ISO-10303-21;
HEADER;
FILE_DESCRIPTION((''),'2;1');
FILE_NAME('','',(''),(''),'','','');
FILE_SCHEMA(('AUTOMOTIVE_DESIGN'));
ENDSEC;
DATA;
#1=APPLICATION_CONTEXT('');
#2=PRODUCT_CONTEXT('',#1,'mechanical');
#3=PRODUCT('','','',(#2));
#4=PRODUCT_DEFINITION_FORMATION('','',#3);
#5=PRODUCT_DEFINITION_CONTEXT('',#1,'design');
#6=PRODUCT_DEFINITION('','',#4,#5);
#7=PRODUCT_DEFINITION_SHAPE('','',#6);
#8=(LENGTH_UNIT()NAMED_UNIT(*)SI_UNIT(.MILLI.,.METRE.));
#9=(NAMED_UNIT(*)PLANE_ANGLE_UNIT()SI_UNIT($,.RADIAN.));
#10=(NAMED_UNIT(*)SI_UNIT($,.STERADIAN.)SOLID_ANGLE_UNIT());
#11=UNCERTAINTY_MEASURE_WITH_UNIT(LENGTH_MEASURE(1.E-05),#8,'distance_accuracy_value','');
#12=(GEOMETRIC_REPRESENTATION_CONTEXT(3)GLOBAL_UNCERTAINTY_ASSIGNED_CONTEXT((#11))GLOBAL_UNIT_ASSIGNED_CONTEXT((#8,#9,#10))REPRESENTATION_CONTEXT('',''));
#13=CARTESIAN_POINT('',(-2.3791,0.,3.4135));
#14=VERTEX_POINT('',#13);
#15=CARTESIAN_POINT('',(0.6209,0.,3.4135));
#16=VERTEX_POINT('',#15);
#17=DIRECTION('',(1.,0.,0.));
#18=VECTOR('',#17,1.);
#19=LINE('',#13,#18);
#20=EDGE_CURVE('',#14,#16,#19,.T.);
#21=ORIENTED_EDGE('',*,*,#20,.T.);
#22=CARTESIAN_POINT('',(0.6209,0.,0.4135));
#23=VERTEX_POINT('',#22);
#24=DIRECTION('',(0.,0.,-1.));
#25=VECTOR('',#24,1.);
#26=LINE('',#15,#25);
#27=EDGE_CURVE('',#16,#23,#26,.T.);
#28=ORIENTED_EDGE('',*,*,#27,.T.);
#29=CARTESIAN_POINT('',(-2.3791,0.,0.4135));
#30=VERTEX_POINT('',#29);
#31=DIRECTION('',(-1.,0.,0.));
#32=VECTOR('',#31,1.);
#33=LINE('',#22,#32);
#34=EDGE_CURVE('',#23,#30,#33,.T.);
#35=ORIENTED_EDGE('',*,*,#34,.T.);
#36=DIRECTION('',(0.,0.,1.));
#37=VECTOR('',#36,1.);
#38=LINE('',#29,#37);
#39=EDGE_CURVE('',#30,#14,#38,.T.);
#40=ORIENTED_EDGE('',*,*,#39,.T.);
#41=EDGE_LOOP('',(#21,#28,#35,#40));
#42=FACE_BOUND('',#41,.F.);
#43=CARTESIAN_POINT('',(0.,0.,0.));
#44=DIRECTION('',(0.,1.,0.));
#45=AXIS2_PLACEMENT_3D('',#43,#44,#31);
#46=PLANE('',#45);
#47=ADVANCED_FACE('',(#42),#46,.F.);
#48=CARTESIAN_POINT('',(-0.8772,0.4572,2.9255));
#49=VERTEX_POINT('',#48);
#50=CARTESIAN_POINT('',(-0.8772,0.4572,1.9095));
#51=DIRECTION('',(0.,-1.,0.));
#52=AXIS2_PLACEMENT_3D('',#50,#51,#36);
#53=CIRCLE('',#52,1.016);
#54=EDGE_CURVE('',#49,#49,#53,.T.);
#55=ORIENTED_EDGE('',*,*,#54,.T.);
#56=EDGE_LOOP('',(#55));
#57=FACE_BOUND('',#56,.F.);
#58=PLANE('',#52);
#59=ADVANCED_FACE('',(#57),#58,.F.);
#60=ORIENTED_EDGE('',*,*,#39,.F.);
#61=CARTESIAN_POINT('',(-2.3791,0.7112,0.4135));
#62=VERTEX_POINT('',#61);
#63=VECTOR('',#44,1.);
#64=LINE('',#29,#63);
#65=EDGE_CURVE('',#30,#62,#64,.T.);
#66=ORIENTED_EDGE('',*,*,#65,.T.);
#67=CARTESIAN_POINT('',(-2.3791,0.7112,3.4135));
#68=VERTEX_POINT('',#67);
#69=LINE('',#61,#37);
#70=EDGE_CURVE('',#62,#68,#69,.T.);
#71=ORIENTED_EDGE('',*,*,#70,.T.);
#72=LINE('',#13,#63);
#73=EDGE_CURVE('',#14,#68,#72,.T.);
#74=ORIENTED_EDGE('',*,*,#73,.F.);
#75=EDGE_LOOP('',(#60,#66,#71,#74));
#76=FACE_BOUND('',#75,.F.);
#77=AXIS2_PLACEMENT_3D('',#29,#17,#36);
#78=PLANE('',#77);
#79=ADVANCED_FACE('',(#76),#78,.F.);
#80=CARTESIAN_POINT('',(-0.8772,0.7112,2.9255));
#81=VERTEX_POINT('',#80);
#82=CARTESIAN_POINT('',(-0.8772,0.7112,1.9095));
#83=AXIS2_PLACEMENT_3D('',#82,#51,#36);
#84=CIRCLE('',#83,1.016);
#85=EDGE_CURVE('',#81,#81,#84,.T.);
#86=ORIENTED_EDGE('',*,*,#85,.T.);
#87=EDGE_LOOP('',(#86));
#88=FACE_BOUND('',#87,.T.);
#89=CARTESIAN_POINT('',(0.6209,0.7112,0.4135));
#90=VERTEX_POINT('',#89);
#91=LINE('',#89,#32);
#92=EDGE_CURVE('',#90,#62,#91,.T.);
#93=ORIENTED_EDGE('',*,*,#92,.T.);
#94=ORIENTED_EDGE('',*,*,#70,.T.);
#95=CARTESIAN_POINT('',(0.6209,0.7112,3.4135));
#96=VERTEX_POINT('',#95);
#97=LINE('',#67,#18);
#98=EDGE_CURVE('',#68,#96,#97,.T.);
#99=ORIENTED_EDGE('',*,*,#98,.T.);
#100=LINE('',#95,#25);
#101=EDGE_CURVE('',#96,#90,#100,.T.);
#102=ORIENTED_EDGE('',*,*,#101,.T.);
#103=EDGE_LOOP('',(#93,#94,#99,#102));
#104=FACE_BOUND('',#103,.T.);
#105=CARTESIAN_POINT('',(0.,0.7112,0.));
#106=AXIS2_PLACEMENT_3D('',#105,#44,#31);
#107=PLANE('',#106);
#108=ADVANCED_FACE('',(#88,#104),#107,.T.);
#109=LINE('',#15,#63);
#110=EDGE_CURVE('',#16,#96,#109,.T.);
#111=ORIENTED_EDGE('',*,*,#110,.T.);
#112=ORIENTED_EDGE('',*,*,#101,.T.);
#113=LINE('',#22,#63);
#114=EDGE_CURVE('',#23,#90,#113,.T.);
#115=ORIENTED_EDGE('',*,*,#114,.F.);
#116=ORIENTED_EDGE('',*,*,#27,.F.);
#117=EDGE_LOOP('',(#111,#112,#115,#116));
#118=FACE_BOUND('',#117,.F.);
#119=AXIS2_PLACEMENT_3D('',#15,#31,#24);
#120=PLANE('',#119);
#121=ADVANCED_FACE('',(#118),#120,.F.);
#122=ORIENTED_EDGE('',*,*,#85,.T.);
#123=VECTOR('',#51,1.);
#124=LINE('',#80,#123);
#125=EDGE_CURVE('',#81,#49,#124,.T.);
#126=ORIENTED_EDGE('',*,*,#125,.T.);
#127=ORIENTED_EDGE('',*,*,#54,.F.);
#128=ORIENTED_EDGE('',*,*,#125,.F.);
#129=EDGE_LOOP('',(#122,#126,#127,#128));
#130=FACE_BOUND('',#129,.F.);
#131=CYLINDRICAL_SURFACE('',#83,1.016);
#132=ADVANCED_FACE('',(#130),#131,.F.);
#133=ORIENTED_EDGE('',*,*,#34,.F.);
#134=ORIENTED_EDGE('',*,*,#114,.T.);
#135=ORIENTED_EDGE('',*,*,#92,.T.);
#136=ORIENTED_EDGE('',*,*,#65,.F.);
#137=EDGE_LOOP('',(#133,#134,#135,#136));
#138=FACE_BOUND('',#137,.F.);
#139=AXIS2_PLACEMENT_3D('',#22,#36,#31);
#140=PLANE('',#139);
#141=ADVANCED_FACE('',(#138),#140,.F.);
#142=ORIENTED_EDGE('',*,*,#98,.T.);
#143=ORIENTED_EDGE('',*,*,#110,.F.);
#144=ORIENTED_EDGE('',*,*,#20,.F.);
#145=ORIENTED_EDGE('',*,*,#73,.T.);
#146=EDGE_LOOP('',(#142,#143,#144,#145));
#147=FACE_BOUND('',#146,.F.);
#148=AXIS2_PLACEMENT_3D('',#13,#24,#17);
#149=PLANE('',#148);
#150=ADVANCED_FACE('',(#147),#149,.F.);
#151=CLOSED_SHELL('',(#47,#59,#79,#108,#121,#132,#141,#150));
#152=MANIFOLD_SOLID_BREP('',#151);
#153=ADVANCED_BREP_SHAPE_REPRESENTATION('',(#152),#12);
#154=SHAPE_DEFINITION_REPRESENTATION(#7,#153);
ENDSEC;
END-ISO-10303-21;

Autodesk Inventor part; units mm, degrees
ref_plane "YZ Plane" through (0, 0, 0) normal (1, 0, 0) x (0, 1, 0)
ref_plane "XZ Plane" through (0, 0, 0) normal (0, 1, 0) x (-1, 0, 0)
ref_plane "XY Plane" through (0, 0, 0) normal (0, 0, 1) x (1, 0, 0)
sketch "Sketch1" plane through (0, 0, 0) normal (0, 1, 0) x (-1, 0, 0)
  line L0 (2.3791, 3.4135) -> (-0.6209, 3.4135)
  line L1 (-0.6209, 3.4135) -> (-0.6209, 0.4135)
  line L2 (-0.6209, 0.4135) -> (2.3791, 0.4135)
  line L3 (2.3791, 0.4135) -> (2.3791, 3.4135)
  point P0 (0, 0)
  dimension "d0" = 3
  dimension "d1" = 3
extrude "Extrusion1" add sketch "Sketch1" along normal blind 0.7112
sketch "Sketch2" plane through (0, 0.7112, 0) normal (0, 1, 0) x (1, 0, 0)
  point P0 (0, 0)
sketch "Sketch3" plane through (0, 0.7112, 0) normal (0, 1, 0) x (1, 0, 0)
  point P0 (0, 0)
  point P1 (-0.8772, -1.9095)
hole "Hole1" at (-0.8772, 0.7112, 1.9095) direction (0, -1, 0) diameter 2.032 depth 0.254
properties part number "LED"
